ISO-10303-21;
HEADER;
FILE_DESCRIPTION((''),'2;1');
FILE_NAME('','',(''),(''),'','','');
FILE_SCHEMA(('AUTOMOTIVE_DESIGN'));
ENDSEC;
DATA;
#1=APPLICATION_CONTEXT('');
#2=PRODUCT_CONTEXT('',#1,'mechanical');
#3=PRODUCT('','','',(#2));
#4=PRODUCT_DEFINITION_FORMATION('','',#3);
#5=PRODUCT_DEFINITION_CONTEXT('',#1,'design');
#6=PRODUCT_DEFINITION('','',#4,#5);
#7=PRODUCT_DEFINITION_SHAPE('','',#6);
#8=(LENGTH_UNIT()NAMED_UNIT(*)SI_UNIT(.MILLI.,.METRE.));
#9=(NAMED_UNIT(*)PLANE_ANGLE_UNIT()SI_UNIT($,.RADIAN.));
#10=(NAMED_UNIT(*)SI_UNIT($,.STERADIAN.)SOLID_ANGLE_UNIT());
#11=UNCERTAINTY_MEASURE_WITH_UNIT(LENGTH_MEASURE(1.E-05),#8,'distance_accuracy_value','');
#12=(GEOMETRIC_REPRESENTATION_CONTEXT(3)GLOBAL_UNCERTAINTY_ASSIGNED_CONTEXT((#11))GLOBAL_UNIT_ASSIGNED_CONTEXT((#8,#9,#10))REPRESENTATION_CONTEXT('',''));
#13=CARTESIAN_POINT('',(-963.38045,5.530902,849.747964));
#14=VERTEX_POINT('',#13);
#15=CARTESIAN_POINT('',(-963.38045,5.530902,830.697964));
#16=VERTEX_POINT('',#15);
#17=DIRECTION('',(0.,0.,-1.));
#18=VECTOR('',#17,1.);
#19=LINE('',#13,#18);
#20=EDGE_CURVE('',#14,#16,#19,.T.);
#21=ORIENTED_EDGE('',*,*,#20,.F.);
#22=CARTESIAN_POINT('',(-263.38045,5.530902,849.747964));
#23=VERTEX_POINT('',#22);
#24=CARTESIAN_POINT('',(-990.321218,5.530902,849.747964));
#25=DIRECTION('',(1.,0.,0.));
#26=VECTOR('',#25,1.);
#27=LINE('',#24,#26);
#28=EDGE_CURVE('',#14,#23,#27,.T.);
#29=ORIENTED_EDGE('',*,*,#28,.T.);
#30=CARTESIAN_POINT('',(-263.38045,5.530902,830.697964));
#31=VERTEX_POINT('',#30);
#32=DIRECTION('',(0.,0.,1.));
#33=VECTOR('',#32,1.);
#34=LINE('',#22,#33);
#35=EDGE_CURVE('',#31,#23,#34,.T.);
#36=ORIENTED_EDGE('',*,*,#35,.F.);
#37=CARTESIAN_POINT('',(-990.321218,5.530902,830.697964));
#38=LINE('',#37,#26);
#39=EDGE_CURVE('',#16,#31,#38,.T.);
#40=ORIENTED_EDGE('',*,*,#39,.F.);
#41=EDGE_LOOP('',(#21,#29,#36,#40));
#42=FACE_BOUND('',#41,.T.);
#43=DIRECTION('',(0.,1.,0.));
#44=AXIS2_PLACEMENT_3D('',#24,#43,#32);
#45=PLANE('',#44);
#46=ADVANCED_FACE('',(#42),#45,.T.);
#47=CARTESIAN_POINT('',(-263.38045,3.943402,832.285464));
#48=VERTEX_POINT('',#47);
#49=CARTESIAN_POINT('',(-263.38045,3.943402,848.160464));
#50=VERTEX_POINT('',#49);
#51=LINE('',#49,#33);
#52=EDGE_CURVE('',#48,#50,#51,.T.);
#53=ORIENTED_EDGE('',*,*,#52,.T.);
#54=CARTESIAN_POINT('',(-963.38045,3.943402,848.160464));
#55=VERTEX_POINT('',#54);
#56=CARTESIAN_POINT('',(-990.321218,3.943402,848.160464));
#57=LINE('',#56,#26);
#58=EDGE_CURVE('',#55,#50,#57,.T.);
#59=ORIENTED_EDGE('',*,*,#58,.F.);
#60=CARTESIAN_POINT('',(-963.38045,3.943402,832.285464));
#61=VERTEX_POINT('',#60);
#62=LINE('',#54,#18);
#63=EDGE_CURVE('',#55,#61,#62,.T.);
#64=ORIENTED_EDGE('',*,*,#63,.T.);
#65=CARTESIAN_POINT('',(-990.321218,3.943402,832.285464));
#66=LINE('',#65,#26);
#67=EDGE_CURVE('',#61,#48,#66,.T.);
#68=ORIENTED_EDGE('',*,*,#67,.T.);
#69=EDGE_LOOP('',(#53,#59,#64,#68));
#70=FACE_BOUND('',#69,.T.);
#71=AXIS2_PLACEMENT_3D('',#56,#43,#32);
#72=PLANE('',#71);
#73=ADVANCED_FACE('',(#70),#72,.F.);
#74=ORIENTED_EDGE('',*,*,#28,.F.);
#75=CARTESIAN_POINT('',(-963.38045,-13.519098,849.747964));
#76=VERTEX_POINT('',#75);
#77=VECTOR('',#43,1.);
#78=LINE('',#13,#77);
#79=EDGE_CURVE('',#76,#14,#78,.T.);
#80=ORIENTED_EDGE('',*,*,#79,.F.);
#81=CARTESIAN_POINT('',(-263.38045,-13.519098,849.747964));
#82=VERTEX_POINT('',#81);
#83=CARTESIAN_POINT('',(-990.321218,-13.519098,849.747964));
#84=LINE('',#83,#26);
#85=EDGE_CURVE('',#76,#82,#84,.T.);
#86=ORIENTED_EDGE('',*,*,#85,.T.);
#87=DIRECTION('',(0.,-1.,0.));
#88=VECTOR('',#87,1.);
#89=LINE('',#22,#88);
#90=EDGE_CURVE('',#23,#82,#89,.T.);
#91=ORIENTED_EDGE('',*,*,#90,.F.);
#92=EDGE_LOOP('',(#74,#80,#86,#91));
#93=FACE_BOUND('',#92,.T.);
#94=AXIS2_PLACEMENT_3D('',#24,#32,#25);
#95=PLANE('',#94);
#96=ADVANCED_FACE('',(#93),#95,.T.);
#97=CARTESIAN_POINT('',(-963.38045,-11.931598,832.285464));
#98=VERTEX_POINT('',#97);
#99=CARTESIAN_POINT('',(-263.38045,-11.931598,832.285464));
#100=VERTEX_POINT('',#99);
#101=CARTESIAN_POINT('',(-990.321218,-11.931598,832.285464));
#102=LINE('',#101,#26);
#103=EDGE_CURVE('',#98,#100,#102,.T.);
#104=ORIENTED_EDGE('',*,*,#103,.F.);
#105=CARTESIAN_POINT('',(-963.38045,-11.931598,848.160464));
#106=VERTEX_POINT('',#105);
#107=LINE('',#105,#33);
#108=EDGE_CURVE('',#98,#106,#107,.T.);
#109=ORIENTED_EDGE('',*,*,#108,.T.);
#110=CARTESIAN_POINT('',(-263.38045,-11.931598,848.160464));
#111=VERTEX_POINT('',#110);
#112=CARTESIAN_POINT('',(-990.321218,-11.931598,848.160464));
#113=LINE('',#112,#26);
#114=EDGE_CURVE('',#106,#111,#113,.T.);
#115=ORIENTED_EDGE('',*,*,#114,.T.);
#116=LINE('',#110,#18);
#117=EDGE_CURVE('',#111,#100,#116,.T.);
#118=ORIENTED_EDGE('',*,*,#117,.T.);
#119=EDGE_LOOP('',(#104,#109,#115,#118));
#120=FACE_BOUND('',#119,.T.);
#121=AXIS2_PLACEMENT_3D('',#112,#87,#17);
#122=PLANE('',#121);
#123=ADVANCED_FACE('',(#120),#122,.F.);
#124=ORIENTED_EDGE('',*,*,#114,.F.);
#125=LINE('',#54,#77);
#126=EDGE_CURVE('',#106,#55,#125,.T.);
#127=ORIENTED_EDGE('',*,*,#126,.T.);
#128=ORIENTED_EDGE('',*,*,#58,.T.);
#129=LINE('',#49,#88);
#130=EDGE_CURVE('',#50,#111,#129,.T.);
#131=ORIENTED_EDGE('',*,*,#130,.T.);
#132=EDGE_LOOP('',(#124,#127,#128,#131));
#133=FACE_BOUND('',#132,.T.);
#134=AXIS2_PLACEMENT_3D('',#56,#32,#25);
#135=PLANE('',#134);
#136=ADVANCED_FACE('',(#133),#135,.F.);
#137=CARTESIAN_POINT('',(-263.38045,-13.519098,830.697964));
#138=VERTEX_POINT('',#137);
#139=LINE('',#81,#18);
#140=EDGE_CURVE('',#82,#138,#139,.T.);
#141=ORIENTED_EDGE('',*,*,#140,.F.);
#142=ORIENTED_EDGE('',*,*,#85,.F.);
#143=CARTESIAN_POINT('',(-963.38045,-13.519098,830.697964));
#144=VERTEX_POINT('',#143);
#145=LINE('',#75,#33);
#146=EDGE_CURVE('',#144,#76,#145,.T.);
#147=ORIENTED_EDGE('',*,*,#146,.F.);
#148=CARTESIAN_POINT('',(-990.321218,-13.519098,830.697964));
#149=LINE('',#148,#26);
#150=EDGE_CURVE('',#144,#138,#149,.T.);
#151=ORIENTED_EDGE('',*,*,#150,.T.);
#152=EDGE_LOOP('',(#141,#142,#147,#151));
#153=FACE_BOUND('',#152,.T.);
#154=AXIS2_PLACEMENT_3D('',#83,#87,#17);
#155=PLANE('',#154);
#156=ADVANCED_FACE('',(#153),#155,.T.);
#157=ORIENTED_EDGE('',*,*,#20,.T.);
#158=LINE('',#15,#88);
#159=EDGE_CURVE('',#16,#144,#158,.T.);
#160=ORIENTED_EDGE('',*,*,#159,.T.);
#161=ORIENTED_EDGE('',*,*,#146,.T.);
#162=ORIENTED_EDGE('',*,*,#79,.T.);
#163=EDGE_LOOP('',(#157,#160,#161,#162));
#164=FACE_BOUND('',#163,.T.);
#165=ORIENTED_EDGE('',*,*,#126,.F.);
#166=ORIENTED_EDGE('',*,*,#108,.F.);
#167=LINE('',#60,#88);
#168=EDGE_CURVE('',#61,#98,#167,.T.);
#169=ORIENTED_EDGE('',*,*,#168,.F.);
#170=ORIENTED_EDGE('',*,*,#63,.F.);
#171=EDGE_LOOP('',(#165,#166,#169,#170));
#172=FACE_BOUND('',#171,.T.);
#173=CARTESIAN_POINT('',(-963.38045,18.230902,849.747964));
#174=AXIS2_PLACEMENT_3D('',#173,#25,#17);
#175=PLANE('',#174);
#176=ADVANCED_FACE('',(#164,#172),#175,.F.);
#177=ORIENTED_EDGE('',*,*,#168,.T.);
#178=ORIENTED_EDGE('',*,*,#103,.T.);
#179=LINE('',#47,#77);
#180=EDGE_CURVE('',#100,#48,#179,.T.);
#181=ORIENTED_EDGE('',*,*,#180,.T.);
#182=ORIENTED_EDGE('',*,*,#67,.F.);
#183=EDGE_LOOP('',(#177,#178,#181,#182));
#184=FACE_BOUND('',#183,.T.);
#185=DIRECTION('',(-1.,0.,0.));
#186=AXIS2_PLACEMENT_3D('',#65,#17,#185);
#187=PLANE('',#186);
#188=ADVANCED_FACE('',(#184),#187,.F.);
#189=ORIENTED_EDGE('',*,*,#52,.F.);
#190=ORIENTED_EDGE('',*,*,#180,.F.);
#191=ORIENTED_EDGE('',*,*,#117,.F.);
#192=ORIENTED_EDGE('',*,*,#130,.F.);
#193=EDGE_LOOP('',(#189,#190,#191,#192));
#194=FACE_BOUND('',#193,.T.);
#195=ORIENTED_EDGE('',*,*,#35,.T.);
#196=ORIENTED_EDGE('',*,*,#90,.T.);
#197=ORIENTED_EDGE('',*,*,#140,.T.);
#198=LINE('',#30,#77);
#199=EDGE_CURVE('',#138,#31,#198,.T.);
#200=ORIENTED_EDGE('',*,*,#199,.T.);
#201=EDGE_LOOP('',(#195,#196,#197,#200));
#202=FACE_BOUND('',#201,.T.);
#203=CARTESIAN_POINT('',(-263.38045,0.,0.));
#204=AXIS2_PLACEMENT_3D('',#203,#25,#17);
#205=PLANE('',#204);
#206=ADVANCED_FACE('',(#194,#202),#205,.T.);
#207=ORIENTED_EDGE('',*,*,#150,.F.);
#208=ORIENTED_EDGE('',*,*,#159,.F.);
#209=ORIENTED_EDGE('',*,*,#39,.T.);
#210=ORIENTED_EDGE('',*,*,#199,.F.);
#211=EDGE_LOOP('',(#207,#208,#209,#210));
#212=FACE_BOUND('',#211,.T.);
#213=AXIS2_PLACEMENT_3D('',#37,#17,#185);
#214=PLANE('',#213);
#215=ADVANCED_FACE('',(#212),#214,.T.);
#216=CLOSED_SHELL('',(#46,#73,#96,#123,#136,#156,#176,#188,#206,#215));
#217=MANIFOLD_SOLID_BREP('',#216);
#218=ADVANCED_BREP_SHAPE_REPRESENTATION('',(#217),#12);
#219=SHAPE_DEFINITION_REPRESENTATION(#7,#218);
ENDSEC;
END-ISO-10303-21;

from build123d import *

# Parameters (mm, degrees)
SKETCH1_W           = 19.05
SKETCH1_H           = 19.05
SKETCH1_W_2         = 15.875
SKETCH1_H_2         = 15.875
BOSS_EXTRUDE1_DEPTH = 700


with BuildPart() as part:
    # Sketch1 → Boss-Extrude1 (new body)
    with BuildSketch(Plane(origin=(-263.380449824, 0, 0), x_dir=(0, 0, -1), z_dir=(1, 0, 0))):
        with Locations((-840.222963948, -3.994098241)):
            Rectangle(SKETCH1_W, SKETCH1_H)
        with Locations((-840.222963948, -3.994098241)):
            Rectangle(SKETCH1_W_2, SKETCH1_H_2, mode=Mode.SUBTRACT)
    extrude(amount=-BOSS_EXTRUDE1_DEPTH)


solid = part.part
